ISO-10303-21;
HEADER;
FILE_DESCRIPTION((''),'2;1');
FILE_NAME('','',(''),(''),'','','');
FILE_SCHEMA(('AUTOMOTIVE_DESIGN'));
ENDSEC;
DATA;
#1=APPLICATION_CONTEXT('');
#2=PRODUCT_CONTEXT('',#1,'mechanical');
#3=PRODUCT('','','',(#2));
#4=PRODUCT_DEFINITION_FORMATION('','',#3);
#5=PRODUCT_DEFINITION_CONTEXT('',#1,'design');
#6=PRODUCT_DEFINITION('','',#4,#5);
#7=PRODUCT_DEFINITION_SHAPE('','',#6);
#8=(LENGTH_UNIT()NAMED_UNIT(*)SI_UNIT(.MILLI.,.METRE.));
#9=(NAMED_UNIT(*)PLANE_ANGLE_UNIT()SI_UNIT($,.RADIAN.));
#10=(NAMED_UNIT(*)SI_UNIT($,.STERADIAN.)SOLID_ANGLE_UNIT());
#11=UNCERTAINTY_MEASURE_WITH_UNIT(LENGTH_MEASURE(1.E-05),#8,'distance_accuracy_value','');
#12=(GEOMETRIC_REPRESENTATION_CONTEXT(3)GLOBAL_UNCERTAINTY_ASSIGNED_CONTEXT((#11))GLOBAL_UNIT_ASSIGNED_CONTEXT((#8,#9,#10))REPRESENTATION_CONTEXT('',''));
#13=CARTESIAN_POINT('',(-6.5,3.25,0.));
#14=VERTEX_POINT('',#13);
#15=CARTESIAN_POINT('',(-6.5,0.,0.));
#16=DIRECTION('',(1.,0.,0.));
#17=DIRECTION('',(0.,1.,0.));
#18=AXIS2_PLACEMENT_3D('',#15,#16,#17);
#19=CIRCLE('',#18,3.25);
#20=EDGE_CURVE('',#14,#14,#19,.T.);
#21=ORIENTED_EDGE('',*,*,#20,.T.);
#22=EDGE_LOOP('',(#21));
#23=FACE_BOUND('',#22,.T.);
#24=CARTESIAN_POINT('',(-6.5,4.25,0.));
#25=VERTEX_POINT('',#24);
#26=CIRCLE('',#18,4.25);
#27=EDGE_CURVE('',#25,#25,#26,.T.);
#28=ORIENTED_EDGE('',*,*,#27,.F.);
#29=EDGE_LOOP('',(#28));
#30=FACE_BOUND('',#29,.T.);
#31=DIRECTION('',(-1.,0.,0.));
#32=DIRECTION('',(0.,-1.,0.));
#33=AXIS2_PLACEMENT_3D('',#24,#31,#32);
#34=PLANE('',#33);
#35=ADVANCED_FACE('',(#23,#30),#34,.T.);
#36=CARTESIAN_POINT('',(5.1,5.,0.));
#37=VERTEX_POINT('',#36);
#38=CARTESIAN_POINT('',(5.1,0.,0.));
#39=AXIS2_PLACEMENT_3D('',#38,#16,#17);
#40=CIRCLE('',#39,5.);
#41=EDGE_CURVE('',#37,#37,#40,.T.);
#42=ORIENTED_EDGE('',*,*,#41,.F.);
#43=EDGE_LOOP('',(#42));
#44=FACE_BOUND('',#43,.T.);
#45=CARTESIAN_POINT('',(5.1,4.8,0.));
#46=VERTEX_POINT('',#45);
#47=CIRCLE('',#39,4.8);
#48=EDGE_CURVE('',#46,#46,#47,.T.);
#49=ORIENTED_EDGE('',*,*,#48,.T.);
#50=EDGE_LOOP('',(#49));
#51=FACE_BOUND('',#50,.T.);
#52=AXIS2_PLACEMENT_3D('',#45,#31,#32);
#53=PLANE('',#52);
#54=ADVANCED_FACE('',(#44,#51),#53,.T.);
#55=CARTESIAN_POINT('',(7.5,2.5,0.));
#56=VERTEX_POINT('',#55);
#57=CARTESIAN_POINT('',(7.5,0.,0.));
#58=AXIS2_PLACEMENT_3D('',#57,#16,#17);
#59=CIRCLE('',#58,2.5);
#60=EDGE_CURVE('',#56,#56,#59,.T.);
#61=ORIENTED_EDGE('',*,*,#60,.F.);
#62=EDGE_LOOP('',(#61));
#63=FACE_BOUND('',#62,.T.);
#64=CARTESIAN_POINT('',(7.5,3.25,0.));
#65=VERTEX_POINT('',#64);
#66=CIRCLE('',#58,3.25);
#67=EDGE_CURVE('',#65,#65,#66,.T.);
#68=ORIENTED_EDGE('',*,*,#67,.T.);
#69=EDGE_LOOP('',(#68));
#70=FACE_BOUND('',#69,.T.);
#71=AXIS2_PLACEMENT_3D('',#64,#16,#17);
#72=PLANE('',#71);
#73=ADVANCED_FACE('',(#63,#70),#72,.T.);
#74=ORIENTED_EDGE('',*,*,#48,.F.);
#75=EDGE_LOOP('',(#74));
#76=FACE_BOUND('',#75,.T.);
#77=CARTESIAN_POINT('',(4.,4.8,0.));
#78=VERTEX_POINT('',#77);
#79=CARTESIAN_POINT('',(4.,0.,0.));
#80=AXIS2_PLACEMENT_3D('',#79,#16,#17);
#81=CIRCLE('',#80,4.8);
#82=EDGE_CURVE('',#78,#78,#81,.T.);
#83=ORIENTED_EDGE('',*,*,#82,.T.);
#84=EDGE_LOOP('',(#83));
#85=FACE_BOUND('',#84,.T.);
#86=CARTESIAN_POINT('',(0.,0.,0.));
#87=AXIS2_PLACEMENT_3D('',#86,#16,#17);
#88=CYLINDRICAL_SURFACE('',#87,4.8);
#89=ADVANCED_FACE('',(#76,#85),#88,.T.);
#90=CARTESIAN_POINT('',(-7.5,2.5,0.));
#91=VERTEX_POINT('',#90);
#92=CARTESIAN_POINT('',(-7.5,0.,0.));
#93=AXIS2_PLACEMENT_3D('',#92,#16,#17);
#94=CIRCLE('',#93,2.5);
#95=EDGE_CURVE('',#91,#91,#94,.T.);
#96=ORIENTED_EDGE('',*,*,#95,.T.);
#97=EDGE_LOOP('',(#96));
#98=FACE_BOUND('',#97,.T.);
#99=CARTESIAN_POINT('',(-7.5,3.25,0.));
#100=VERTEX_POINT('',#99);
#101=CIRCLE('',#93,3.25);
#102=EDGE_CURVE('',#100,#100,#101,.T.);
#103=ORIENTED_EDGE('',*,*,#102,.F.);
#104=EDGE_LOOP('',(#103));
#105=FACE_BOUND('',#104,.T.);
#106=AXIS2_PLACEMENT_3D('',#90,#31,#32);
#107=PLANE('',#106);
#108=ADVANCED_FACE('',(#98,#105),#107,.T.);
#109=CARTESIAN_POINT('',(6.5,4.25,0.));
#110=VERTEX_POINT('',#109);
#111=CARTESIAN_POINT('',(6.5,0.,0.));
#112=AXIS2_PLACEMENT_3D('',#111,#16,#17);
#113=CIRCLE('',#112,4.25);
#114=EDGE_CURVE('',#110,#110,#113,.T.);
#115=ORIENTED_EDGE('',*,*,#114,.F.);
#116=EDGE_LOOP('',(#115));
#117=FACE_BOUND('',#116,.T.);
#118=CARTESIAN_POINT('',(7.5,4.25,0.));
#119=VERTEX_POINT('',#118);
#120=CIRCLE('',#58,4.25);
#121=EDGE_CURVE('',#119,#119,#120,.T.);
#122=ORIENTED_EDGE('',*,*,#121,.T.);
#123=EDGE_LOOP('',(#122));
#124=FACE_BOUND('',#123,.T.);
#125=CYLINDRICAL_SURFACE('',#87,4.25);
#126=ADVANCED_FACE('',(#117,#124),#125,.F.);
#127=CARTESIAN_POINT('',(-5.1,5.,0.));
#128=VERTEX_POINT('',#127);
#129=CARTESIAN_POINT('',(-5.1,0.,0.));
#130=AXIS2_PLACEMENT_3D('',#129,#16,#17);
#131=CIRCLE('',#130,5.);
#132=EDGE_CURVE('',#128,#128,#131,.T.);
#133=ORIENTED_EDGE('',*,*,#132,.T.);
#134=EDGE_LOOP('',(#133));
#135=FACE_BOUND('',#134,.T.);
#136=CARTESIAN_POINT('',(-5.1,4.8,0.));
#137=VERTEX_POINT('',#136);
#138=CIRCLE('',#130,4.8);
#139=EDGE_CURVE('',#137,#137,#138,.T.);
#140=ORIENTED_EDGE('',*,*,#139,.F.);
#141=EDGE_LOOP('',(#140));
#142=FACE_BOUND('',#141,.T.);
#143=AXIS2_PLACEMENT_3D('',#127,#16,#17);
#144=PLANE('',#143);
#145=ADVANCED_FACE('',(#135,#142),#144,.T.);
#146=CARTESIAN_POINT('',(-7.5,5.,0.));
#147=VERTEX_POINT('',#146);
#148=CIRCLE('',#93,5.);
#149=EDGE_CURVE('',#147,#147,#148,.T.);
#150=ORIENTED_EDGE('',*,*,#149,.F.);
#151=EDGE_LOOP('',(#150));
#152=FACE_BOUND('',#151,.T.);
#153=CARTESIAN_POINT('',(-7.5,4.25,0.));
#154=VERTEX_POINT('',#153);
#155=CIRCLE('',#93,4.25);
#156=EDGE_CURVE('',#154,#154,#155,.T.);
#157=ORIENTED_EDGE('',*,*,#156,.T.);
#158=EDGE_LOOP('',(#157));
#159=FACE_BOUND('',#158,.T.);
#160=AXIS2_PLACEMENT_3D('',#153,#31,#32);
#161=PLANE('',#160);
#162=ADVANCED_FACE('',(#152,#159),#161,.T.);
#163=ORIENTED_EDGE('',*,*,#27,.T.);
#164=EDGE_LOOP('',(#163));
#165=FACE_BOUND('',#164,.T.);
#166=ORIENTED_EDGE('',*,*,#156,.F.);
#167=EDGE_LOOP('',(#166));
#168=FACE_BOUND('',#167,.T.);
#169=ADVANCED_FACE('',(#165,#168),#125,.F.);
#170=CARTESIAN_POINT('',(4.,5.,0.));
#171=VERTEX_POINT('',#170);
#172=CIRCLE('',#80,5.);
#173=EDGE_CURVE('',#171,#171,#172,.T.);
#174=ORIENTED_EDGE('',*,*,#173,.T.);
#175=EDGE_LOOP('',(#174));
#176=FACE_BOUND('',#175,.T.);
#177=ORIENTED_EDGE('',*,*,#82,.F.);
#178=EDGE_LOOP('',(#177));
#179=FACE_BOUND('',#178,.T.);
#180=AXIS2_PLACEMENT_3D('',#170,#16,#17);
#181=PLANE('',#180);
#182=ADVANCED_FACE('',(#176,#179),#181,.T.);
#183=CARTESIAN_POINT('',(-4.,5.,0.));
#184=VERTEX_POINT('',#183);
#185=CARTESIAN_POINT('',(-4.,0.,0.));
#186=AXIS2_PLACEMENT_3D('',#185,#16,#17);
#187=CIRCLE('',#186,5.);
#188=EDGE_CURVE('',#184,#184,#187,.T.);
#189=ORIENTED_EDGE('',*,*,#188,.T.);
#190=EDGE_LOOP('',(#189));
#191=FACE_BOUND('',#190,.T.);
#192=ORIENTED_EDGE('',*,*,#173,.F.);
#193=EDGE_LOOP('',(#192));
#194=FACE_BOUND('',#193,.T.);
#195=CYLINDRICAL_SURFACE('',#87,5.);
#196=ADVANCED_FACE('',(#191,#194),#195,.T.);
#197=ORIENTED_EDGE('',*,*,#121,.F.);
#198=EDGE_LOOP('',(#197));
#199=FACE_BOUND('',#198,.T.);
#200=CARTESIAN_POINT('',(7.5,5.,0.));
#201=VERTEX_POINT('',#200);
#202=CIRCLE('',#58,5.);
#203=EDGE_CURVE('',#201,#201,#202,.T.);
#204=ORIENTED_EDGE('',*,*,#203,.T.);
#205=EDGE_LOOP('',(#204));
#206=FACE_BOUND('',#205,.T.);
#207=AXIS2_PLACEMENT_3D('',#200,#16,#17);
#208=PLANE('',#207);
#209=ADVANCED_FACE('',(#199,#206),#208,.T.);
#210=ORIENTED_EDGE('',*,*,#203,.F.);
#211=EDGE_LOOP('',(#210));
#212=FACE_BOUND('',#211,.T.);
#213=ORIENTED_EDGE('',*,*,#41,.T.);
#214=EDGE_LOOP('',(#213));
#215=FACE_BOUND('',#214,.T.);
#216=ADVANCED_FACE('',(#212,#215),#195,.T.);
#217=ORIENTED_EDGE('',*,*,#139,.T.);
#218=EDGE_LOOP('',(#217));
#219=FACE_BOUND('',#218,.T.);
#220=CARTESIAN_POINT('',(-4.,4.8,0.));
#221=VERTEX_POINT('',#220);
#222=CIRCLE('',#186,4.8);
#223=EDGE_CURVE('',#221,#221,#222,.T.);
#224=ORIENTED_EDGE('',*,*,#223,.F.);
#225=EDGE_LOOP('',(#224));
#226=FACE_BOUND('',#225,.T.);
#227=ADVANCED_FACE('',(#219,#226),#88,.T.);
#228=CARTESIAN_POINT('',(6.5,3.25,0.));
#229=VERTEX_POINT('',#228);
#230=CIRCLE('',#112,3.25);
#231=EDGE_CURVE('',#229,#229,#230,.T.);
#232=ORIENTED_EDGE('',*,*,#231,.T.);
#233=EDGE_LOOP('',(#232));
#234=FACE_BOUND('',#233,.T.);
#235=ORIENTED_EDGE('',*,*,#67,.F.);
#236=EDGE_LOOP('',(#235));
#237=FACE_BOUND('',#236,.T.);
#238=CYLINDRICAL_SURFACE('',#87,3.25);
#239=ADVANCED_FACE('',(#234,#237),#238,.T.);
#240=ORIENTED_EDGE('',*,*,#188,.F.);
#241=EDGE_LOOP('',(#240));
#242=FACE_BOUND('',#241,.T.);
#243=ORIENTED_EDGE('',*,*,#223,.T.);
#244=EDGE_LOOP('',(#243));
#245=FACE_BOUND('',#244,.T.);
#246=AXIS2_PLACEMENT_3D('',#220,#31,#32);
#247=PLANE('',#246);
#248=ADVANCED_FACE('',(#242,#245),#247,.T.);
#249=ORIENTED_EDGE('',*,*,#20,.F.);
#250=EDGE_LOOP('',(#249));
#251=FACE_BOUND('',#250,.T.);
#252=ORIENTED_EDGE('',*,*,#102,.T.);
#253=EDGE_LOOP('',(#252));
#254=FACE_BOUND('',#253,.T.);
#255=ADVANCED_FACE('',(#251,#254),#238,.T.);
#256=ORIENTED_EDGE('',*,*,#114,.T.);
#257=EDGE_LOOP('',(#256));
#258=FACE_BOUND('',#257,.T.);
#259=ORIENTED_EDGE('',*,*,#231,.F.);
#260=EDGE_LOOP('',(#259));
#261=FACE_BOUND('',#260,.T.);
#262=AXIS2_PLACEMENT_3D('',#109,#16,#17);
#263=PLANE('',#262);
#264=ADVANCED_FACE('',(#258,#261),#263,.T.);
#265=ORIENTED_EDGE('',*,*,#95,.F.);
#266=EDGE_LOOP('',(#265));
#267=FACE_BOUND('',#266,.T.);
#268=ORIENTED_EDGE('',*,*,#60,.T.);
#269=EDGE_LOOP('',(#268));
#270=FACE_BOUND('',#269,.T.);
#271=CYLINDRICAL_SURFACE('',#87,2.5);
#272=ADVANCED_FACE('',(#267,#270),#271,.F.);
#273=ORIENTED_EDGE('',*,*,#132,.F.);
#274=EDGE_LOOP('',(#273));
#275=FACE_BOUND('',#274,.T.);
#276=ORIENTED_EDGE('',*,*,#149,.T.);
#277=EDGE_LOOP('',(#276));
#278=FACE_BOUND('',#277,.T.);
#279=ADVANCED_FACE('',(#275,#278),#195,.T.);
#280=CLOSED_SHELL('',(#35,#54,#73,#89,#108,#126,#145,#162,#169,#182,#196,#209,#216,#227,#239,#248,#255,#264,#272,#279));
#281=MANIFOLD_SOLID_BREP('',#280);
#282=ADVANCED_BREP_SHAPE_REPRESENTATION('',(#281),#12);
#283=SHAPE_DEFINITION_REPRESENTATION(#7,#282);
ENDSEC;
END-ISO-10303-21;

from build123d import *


with BuildPart() as part:
    # Esboço1 → Revolução1 (revolve)
    with BuildSketch(Plane.XY):
        Polygon((-7.5, 5), (-5.1, 5), (-5.1, 4.8), (-4, 4.8), (-4, 5), (4, 5), (4, 4.8), (5.1, 4.8), (5.1, 5), (7.5, 5), (7.5, 4.25), (6.5, 4.25), (6.5, 3.25), (7.5, 3.25), (7.5, 2.5), (-7.5, 2.5), (-7.5, 3.25), (-6.5, 3.25), (-6.5, 4.25), (-7.5, 4.25), align=None)
    revolve(axis=Axis((0, 0, 0), (-1, 0, 0)))


solid = part.part
